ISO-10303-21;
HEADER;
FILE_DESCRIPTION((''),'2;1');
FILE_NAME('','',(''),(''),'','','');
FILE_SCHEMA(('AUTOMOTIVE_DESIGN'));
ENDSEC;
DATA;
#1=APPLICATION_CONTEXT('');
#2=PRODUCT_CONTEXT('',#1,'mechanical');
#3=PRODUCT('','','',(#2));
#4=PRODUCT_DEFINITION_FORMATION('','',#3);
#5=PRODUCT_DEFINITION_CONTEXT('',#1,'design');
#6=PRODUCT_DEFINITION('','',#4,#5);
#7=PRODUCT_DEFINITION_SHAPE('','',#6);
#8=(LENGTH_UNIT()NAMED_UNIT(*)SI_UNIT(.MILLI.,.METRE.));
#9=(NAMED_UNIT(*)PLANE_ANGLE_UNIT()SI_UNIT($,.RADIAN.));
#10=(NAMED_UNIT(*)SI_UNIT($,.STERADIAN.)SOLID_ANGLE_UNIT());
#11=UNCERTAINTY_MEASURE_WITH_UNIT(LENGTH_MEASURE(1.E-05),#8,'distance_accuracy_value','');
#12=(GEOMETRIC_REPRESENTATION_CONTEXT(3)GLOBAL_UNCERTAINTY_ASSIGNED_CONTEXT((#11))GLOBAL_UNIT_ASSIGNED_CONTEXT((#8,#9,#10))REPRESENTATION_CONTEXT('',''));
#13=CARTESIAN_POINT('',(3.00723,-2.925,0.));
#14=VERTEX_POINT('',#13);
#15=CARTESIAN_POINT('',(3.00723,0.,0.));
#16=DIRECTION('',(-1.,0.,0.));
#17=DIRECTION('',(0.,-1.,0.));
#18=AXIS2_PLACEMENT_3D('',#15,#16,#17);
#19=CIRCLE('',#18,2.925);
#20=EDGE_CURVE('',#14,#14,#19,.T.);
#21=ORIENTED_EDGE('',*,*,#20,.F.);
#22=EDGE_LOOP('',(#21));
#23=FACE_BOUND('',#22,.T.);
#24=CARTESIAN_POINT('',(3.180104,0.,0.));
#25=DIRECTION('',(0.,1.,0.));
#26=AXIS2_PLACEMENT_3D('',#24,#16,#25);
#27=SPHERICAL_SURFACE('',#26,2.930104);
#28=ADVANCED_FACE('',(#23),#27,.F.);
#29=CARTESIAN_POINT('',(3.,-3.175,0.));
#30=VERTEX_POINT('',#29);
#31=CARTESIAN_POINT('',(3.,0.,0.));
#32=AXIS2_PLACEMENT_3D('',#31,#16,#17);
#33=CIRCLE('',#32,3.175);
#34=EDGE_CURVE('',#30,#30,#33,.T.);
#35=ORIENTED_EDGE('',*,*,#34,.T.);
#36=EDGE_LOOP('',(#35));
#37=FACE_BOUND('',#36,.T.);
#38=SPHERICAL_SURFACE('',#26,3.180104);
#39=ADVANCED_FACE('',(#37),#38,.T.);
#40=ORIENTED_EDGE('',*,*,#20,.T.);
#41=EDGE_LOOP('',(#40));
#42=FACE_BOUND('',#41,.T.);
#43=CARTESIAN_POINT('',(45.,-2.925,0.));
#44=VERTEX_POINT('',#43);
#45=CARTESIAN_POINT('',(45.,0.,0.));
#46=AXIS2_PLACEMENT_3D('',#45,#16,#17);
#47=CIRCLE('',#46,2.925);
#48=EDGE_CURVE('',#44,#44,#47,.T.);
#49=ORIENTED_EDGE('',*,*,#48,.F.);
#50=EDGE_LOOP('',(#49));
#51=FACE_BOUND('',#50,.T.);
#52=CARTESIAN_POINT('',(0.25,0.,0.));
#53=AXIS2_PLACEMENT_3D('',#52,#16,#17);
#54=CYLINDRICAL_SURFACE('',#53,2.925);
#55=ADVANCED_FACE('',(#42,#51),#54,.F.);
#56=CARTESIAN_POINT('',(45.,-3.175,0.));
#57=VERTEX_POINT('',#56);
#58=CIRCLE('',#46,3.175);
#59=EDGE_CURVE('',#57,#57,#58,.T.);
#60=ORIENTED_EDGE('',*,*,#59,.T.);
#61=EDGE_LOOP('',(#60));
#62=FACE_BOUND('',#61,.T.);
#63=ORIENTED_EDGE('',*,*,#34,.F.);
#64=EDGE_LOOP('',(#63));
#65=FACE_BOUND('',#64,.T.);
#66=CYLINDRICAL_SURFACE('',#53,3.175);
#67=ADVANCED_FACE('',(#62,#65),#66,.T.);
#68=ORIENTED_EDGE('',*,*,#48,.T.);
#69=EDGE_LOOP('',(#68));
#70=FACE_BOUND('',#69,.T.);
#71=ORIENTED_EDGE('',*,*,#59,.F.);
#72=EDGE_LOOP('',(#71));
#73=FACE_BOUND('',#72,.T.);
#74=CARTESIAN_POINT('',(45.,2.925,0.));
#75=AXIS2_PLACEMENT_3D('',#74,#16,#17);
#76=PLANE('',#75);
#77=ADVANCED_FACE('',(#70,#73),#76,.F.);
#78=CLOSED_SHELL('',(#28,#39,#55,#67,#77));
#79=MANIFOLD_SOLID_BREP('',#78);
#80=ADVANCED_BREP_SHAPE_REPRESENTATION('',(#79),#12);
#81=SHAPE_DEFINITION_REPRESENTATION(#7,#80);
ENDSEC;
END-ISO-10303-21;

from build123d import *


with BuildPart() as part:
    # Çizim1 → Döndür1 (revolve)
    with BuildSketch(Plane.XY):
        with BuildLine():
            Line((45, 3.175), (3, 3.175))
            ThreePointArc((3, 3.175), (0.86863142, 2.184068737), (0, 0))
            Line((0, 0), (0.25, 0))
            ThreePointArc((0.25, 0), (1.047963304, 2.0098472), (3.007230145, 2.925))
            Line((3.007230145, 2.925), (45, 2.925))
            Line((45, 2.925), (45, 3.175))
        make_face()
    revolve(axis=Axis((0.25, 0, 0), (1, 0, 0)))


solid = part.part
